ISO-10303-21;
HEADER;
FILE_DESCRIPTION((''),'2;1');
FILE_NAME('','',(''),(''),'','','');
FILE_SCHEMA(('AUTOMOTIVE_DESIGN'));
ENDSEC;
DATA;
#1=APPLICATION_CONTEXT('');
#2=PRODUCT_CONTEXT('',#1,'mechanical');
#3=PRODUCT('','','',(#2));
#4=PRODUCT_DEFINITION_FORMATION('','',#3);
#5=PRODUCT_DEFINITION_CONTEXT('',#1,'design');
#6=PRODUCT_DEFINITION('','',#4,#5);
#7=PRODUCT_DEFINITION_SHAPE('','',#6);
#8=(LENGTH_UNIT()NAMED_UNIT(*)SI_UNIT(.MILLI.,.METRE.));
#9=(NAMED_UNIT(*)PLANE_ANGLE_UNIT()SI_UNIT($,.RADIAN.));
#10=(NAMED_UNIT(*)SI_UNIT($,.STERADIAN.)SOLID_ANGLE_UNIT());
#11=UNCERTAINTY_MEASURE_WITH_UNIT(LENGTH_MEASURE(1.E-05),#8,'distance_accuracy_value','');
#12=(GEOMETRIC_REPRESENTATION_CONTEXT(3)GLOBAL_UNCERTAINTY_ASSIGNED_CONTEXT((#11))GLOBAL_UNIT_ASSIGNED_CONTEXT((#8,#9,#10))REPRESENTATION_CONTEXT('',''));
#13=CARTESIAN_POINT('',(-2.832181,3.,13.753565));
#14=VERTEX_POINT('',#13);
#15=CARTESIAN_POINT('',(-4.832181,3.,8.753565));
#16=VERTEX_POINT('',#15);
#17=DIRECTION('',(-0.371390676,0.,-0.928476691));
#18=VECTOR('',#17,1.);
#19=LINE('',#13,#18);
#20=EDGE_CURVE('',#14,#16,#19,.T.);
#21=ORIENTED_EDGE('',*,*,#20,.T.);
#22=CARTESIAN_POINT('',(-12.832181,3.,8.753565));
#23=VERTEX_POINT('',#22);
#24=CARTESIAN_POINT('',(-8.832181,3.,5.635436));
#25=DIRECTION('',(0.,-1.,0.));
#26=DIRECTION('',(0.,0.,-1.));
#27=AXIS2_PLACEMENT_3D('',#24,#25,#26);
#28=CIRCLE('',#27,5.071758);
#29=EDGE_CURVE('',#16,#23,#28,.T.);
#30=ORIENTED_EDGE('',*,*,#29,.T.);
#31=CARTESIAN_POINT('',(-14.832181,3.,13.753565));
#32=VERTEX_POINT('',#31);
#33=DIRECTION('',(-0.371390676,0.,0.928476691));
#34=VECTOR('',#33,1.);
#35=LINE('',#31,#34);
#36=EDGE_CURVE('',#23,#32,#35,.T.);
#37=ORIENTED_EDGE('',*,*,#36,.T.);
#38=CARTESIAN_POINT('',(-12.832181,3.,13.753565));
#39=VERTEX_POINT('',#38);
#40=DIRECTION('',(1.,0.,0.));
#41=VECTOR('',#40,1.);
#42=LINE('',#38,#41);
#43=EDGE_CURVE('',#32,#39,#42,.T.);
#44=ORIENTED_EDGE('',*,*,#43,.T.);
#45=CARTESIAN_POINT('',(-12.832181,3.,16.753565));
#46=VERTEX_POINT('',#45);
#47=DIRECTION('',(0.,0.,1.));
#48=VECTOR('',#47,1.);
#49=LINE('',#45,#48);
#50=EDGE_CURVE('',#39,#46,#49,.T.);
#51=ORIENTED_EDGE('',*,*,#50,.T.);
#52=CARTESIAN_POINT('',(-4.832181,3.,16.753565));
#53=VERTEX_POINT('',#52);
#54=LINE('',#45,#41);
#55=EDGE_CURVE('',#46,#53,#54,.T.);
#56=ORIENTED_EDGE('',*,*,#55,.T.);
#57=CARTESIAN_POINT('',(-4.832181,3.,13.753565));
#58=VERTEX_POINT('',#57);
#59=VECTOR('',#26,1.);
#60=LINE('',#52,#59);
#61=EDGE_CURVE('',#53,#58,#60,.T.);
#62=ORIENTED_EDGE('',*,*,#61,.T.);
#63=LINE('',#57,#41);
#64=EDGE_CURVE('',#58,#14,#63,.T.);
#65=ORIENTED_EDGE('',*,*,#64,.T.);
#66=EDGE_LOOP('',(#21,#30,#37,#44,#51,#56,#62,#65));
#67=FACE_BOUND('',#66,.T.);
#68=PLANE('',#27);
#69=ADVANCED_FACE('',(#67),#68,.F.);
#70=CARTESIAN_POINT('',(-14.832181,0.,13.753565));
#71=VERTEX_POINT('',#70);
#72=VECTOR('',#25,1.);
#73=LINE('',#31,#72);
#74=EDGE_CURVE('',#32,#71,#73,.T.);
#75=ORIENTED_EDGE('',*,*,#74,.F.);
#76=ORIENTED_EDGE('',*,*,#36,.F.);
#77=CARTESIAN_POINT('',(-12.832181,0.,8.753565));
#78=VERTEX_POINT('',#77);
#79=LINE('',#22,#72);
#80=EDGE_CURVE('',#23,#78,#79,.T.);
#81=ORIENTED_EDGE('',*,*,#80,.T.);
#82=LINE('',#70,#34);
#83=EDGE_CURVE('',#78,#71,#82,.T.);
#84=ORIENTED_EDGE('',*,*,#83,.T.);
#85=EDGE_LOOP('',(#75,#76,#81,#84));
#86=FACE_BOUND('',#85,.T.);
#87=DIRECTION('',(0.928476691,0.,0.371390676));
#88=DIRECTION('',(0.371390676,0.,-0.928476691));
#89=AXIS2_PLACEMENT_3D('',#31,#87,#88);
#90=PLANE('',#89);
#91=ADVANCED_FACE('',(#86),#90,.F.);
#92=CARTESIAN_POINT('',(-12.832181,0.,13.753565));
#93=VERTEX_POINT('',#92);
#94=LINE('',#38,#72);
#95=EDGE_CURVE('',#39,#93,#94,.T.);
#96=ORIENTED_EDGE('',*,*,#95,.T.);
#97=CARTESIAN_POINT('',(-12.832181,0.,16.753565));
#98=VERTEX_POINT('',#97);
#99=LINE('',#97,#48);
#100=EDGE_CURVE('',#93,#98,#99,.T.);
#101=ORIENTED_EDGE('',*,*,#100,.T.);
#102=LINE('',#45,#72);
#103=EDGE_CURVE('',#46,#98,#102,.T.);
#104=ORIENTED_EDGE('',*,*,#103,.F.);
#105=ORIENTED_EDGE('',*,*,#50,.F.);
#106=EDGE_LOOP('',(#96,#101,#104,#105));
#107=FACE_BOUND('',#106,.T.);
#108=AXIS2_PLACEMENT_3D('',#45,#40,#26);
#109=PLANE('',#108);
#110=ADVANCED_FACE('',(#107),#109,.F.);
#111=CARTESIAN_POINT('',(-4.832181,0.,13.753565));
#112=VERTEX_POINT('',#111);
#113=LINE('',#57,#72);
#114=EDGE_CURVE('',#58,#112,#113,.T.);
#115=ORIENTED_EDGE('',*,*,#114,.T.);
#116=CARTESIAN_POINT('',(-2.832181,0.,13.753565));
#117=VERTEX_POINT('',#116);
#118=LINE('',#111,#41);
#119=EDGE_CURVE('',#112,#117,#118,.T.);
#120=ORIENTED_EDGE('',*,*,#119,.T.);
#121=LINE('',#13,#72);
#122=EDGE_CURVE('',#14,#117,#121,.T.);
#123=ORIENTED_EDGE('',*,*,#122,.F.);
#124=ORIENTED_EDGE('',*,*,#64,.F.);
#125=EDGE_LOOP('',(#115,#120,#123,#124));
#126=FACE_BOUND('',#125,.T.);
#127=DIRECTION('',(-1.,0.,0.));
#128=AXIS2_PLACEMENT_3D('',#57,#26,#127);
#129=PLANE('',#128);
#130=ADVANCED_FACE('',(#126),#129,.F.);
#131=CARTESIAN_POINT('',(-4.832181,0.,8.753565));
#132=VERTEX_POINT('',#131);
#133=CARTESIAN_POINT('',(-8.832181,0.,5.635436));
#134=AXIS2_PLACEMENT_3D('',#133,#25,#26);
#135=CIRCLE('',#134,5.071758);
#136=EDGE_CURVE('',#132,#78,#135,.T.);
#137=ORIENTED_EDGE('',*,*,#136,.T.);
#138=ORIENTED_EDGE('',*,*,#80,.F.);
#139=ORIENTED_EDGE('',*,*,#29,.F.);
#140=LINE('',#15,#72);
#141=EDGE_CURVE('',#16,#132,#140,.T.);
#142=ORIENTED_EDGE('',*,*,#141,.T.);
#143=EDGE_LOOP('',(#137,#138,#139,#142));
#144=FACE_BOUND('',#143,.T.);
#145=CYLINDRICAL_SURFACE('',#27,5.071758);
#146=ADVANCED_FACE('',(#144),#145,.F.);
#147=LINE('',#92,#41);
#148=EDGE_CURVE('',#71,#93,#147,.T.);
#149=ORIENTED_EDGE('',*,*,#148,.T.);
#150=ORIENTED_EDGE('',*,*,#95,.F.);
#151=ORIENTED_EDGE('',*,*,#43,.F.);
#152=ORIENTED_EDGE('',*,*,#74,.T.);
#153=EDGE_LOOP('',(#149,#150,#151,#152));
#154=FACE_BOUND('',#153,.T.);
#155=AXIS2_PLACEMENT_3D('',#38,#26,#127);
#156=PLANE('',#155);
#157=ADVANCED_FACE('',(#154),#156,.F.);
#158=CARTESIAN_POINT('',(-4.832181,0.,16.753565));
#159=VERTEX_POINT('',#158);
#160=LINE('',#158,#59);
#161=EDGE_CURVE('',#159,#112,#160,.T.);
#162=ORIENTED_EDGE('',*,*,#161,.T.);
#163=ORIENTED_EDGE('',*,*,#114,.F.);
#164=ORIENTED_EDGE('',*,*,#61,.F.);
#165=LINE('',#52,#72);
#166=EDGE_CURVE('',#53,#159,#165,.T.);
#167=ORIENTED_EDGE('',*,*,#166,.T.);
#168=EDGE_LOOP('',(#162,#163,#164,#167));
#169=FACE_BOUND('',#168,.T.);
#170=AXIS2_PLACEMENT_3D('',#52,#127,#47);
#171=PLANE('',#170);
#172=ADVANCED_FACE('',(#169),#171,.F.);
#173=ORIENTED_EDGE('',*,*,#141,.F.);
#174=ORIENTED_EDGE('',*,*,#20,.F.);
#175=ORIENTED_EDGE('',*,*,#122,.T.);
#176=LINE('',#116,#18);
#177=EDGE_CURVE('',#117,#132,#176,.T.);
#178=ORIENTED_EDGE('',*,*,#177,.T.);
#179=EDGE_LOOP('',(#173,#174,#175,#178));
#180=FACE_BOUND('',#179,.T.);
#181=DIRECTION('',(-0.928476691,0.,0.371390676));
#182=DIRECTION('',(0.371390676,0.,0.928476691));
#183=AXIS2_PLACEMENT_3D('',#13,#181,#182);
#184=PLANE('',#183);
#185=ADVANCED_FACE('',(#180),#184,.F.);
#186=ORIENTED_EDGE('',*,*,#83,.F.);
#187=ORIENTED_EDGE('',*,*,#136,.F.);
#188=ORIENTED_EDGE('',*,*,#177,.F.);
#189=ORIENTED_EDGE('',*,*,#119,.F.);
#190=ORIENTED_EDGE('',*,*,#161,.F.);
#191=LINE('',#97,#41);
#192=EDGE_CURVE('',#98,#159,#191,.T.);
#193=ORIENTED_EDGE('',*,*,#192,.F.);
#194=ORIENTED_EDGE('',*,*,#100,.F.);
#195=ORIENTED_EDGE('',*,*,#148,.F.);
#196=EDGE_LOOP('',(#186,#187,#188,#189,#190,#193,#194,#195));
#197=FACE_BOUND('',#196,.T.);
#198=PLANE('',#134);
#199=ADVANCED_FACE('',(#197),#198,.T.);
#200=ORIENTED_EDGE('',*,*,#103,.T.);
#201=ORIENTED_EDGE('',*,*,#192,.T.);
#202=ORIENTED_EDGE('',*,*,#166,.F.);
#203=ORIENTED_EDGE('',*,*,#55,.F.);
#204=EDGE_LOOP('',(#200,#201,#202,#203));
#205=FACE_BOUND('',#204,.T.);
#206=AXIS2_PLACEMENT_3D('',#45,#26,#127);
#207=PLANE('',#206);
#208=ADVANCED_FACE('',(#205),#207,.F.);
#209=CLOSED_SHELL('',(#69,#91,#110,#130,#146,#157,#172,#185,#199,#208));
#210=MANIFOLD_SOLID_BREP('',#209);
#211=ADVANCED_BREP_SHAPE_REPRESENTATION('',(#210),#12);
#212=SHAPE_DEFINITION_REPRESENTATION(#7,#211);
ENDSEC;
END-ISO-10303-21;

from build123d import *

# Parameters (mm, degrees)
RESSALTO_EXTRUS_O1_DEPTH = 3


with BuildPart() as part:
    # Esboço1 → Ressalto-extrusão1 (new body)
    with BuildSketch(Plane(origin=(0, 0, 0), x_dir=(1, 0, 0), z_dir=(0, 1, 0))):
        with BuildLine():
            Line((-12.832180901, -16.753564618), (-4.832180901, -16.753564618))
            Line((-4.832180901, -16.753564618), (-4.832180901, -13.753564618))
            Line((-4.832180901, -13.753564618), (-2.832180901, -13.753564618))
            Line((-2.832180901, -13.753564618), (-4.832180901, -8.753564618))
            ThreePointArc((-4.832180901, -8.753564618), (-8.832180901, -10.707193571), (-12.832180901, -8.753564618))
            Line((-12.832180901, -8.753564618), (-14.832180901, -13.753564618))
            Line((-14.832180901, -13.753564618), (-12.832180901, -13.753564618))
            Line((-12.832180901, -13.753564618), (-12.832180901, -16.753564618))
        make_face()
    extrude(amount=RESSALTO_EXTRUS_O1_DEPTH)


solid = part.part
